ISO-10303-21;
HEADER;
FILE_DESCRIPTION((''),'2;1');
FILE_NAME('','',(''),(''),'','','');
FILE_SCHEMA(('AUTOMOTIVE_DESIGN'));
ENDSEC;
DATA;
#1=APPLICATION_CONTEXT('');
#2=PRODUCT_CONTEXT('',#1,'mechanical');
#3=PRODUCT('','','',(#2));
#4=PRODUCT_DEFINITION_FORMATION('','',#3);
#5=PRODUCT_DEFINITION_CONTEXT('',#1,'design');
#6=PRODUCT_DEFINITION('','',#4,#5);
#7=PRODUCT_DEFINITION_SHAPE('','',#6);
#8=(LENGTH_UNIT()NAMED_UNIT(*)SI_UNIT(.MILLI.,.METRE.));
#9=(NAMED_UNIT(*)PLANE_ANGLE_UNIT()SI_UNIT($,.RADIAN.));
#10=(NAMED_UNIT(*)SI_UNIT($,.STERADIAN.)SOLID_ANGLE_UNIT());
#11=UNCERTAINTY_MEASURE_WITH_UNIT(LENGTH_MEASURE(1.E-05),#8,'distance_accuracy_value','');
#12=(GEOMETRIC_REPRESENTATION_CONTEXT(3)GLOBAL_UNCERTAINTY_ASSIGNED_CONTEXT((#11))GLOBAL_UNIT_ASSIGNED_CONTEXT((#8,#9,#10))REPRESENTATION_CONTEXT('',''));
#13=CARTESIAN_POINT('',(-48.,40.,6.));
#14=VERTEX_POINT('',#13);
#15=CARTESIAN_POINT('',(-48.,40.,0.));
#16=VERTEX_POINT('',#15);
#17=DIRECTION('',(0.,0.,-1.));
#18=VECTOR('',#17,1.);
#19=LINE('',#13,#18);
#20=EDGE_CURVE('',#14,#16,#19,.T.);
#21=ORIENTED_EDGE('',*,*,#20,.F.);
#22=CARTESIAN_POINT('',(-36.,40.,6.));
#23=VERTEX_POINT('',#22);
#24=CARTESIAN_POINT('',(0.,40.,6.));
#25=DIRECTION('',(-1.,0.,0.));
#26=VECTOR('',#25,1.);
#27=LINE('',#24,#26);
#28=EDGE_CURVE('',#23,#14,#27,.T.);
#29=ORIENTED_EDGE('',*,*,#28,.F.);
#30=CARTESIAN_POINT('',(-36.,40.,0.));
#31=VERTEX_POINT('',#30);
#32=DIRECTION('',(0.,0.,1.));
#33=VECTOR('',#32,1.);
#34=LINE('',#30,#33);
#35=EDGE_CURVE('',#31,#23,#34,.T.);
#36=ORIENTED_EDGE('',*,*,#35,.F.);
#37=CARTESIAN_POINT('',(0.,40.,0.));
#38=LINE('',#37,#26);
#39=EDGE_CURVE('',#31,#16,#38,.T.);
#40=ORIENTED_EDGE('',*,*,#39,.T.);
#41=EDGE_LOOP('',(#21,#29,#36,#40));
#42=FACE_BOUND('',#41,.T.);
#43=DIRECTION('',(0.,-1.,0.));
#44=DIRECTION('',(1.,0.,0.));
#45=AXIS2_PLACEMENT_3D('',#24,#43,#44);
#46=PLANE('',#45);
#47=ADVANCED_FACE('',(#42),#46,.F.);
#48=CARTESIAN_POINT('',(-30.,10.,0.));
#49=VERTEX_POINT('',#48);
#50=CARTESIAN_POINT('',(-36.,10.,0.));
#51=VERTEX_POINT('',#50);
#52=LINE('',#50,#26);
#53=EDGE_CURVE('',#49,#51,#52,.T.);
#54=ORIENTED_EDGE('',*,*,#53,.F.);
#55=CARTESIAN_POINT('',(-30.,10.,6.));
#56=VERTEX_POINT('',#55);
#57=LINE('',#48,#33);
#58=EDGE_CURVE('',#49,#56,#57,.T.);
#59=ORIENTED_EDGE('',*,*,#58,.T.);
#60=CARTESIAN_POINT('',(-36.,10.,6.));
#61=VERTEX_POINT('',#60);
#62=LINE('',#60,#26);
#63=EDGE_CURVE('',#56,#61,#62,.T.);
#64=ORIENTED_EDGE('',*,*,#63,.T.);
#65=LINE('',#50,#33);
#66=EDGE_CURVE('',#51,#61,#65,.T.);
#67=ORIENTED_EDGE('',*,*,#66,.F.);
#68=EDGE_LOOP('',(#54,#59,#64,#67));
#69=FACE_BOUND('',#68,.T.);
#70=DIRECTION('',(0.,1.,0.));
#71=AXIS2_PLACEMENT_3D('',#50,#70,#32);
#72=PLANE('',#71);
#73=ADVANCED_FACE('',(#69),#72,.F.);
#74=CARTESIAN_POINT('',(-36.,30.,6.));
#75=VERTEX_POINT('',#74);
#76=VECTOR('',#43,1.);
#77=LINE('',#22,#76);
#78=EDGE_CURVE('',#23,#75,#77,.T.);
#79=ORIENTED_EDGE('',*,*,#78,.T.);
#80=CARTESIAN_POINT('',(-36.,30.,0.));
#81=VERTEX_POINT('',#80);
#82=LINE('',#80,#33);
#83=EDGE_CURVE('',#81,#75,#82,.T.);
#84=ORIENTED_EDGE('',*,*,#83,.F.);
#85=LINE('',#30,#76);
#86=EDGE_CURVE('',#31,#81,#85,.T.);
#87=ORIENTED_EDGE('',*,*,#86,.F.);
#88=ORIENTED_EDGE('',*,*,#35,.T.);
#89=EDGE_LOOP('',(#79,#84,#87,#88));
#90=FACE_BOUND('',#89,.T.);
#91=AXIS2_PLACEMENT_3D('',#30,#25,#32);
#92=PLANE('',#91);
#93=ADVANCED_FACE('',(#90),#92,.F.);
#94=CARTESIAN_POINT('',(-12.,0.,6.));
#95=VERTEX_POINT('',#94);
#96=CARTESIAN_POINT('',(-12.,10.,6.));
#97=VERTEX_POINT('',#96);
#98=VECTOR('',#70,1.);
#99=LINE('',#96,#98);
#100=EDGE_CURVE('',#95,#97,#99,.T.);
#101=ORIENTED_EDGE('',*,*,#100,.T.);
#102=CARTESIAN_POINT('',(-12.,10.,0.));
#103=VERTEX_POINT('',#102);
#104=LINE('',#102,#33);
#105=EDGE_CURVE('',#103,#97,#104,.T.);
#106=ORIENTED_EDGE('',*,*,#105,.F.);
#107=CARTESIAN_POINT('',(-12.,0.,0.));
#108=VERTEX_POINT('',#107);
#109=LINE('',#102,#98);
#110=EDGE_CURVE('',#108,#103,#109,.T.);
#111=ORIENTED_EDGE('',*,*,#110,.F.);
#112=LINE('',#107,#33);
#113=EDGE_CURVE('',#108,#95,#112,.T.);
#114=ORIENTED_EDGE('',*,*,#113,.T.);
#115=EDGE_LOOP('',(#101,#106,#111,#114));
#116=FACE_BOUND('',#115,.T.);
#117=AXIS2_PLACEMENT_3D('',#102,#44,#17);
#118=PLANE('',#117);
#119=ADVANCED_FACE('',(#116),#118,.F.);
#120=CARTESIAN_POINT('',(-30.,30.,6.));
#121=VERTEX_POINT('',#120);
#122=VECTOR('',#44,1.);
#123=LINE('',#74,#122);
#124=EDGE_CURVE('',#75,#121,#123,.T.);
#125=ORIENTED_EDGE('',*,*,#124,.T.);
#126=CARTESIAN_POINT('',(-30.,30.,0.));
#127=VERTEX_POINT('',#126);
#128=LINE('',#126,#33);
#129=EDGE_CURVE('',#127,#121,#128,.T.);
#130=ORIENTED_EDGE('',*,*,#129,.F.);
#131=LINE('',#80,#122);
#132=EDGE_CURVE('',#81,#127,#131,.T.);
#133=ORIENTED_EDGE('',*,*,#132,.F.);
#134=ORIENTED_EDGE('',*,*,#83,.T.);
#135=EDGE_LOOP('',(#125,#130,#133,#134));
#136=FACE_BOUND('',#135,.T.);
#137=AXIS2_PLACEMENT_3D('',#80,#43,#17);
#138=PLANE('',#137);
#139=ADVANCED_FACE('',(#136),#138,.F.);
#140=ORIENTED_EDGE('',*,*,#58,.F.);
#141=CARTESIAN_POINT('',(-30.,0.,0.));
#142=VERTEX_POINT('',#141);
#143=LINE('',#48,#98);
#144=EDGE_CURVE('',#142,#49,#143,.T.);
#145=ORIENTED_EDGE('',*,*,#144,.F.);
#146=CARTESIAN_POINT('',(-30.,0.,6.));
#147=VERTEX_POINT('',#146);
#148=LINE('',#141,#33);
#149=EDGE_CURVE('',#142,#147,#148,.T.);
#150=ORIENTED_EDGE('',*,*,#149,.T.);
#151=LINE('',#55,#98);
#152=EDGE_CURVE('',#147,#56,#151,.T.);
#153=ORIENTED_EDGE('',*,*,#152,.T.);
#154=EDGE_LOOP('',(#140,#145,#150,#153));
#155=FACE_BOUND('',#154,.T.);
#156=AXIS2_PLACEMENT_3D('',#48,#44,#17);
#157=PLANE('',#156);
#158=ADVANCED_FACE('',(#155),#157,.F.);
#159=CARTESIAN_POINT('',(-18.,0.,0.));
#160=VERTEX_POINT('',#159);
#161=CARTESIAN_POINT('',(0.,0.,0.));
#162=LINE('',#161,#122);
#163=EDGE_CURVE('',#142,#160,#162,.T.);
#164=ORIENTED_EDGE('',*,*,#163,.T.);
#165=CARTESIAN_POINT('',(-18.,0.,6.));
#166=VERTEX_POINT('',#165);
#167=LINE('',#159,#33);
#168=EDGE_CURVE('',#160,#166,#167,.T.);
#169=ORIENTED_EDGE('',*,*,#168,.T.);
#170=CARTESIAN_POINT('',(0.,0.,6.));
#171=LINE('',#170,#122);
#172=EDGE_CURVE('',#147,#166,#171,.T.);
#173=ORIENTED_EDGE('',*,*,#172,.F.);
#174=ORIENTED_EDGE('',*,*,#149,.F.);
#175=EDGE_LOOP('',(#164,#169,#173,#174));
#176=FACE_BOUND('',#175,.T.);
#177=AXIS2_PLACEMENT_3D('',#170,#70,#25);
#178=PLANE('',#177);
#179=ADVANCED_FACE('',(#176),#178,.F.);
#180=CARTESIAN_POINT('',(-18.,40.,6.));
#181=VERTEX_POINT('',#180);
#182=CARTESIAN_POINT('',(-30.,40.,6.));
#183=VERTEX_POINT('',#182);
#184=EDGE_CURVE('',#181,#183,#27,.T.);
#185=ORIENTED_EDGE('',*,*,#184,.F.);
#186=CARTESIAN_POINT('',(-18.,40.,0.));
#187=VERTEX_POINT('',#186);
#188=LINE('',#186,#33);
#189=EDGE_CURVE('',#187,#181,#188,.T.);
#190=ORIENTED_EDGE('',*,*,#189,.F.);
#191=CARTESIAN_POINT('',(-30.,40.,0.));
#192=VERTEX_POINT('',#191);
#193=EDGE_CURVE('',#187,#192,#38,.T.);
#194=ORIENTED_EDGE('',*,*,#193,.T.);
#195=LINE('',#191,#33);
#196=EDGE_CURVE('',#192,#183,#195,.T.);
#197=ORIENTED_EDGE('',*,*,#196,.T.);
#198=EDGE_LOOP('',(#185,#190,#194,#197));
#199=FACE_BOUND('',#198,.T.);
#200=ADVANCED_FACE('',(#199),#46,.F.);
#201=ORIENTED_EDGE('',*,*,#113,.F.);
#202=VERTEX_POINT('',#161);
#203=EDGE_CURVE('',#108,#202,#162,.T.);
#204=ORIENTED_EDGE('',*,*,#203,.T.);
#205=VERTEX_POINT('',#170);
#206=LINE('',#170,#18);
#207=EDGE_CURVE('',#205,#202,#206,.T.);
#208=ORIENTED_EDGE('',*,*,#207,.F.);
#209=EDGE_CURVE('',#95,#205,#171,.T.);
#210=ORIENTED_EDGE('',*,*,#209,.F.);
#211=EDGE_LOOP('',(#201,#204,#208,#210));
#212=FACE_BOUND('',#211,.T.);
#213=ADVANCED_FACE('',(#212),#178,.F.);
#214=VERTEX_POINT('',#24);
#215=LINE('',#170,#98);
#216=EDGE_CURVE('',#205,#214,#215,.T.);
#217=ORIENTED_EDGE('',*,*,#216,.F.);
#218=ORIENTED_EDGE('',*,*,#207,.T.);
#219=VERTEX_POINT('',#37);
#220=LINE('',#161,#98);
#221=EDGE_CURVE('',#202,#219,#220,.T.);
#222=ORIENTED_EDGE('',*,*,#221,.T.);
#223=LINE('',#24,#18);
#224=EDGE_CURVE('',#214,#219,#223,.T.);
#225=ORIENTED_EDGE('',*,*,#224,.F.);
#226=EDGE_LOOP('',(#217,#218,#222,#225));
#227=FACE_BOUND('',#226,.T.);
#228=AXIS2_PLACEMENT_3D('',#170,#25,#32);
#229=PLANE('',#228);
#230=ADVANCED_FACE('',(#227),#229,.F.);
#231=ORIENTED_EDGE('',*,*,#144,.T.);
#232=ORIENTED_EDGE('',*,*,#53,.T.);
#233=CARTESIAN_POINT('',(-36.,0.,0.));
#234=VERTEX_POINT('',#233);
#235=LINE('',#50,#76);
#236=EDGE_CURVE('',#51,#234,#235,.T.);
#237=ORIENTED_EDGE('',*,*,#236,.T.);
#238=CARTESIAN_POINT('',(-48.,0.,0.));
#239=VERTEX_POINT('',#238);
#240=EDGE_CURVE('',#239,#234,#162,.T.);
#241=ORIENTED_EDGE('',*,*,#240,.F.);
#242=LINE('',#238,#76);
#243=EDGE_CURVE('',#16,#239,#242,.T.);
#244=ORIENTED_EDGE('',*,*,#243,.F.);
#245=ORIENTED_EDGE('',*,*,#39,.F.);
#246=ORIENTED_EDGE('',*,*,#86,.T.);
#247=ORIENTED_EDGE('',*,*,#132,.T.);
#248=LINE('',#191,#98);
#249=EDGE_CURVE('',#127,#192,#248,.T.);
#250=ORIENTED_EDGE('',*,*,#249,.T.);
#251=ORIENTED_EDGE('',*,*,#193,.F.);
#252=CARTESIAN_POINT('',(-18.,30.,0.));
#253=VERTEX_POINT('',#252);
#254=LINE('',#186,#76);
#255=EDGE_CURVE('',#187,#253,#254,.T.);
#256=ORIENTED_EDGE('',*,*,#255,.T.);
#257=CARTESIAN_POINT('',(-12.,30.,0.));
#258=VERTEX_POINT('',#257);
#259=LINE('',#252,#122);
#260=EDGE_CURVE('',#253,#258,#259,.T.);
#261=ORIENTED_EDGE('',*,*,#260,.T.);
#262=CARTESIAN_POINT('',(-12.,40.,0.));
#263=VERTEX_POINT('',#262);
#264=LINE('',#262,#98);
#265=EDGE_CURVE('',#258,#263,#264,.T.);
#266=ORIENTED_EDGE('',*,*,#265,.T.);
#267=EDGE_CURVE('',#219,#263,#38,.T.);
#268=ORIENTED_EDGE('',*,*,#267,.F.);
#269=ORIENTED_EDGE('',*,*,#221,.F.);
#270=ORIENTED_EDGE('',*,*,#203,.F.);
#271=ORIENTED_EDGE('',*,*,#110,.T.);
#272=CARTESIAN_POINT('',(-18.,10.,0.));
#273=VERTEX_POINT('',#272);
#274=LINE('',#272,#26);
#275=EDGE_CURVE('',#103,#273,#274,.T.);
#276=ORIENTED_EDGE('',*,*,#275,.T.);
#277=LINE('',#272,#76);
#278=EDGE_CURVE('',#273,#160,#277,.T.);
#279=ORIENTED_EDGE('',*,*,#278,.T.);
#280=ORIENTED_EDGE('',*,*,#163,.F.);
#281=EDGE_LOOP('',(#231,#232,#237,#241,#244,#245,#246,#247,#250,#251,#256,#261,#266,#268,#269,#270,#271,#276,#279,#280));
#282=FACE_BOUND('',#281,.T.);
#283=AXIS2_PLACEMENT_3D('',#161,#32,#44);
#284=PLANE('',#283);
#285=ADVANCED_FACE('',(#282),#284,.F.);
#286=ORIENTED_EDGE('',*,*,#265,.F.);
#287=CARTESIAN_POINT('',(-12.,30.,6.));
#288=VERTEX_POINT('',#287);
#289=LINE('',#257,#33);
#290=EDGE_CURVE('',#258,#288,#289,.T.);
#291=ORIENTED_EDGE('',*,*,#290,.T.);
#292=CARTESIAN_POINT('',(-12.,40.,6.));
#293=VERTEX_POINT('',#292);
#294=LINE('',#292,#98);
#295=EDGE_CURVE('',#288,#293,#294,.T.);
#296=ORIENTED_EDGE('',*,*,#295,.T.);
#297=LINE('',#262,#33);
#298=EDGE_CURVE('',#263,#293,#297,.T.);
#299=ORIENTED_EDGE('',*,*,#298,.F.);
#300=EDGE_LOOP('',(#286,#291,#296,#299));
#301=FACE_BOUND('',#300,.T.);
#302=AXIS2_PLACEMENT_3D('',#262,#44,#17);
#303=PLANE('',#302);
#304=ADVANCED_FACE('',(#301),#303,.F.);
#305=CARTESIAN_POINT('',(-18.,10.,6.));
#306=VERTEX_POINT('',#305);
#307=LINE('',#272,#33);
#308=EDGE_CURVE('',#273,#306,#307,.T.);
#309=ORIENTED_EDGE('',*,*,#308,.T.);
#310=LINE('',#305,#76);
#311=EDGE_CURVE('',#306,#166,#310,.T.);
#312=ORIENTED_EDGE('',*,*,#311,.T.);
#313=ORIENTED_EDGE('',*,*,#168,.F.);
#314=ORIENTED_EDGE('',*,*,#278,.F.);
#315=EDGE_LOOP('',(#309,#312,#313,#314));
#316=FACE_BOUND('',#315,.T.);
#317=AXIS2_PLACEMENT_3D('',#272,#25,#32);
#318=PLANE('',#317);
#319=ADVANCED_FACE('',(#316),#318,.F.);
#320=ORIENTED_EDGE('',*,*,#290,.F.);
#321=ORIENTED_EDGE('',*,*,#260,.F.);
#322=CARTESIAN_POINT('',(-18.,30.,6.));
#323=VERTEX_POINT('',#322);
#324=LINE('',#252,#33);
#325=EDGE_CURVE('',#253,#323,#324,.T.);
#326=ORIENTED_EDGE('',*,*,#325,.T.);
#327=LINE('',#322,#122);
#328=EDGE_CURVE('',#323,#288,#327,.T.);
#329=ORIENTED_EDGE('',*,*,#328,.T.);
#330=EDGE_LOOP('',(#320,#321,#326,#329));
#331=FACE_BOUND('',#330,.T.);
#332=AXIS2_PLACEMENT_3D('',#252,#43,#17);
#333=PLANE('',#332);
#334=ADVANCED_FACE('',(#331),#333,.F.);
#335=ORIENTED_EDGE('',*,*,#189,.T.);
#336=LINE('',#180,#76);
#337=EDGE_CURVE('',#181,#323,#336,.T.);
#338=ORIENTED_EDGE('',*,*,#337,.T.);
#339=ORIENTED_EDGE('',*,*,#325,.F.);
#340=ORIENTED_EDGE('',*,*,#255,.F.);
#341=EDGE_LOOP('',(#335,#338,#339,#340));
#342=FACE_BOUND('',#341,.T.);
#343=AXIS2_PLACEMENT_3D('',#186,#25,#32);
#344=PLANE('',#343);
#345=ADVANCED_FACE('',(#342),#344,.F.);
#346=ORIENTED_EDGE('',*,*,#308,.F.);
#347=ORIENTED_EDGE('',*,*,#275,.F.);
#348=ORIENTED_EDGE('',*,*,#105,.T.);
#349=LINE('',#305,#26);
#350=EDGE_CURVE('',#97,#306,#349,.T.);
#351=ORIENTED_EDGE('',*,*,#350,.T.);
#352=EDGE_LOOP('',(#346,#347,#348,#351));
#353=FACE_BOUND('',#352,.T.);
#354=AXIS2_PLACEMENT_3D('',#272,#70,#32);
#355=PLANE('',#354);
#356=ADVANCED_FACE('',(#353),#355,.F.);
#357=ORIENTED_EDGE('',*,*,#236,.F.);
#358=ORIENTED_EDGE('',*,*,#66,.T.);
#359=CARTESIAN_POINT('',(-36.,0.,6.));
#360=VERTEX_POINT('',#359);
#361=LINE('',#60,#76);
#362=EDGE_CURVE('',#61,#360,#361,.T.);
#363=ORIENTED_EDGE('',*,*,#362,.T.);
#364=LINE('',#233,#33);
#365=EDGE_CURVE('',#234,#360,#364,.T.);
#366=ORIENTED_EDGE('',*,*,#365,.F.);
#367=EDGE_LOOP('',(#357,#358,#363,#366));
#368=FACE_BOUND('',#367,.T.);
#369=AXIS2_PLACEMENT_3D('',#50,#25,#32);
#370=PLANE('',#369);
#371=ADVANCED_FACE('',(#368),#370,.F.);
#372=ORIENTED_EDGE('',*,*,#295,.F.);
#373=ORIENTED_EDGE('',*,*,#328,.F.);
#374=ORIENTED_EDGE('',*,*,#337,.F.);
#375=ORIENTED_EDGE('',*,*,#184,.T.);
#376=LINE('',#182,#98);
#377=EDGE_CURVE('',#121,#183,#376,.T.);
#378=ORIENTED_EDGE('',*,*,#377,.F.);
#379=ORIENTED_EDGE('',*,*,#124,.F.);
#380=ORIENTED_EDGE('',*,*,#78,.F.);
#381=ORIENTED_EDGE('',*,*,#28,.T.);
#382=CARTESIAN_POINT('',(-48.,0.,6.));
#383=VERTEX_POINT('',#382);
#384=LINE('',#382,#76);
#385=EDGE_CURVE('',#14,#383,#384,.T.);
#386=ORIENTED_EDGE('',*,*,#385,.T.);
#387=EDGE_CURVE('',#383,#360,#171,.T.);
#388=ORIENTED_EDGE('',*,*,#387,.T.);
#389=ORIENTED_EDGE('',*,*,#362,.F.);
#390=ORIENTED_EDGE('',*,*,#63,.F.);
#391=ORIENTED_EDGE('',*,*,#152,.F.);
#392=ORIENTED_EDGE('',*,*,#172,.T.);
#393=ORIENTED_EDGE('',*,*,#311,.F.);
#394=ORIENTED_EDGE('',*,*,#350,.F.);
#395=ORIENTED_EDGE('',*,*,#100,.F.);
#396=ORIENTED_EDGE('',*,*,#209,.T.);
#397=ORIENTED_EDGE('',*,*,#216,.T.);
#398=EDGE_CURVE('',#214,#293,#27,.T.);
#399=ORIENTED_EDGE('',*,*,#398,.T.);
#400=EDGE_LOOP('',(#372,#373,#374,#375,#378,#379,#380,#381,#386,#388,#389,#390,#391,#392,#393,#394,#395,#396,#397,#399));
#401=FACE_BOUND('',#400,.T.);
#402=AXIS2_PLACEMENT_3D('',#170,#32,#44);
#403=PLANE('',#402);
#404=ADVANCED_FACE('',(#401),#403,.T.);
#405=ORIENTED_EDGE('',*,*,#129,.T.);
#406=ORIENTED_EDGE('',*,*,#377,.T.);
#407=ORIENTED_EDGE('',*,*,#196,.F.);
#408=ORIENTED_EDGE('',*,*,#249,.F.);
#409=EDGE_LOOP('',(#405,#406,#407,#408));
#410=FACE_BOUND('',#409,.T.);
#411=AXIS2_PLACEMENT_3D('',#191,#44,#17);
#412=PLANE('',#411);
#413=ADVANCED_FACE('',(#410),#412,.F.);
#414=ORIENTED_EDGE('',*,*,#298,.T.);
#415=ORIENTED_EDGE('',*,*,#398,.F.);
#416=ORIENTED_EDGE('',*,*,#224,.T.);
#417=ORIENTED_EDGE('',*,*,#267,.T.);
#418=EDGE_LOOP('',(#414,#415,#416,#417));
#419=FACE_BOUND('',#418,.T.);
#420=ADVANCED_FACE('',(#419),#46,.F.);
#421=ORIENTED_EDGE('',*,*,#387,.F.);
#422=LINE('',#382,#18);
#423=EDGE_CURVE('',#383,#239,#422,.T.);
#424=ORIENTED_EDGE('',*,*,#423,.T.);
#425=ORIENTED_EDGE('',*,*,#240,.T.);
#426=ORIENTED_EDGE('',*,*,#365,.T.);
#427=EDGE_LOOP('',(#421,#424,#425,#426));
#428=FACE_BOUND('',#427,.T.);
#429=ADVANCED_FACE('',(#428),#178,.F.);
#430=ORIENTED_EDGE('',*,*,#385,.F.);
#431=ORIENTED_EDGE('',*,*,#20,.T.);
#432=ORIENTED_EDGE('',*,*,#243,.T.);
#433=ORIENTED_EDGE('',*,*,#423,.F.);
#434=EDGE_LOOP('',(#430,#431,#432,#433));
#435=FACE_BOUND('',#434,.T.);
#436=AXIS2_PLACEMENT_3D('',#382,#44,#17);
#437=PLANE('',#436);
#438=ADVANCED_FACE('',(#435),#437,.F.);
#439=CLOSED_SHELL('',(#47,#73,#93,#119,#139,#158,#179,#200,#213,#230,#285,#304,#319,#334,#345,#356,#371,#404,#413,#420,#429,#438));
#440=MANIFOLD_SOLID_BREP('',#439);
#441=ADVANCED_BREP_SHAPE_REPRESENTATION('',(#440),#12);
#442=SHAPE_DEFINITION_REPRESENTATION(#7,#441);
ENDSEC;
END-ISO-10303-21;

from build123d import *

# Parameters (mm, degrees)
SKETCH1_W            = 48
SKETCH1_H            = 40
BOSS_EXTRUDE1_DEPTH  = 6
SKETCH2_W            = 6
SKETCH2_H            = 10
CUT_EXTRUDE1_DEPTH   = 63.769419306
LPATTERN1_COUNT      = 2
LPATTERN1_PITCH      = 18
LPATTERN1_COUNT_DIR2 = 2
LPATTERN1_PITCH_DIR2 = 30


with BuildPart() as part:
    # Sketch1 → Boss-Extrude1 (new body)
    with BuildSketch(Plane.XY):
        with Locations((-24, 20)):
            Rectangle(SKETCH1_W, SKETCH1_H)
    extrude(amount=BOSS_EXTRUDE1_DEPTH)

    # Sketch2 → Cut-Extrude1 (cut, through all)
    with BuildSketch(Plane.XY.offset(6)):
        with Locations((-33, 35)):
            Rectangle(SKETCH2_W, SKETCH2_H)
    cut_extrude1 = extrude(amount=-CUT_EXTRUDE1_DEPTH, mode=Mode.SUBTRACT)

    # LPattern1: Cut-Extrude1 2 × 2
    with Locations(*[(i * LPATTERN1_PITCH, -j * LPATTERN1_PITCH_DIR2, 0) for i in range(LPATTERN1_COUNT) for j in range(LPATTERN1_COUNT_DIR2) if (i, j) != (0, 0)]):
        add(cut_extrude1, mode=Mode.SUBTRACT)


solid = part.part
